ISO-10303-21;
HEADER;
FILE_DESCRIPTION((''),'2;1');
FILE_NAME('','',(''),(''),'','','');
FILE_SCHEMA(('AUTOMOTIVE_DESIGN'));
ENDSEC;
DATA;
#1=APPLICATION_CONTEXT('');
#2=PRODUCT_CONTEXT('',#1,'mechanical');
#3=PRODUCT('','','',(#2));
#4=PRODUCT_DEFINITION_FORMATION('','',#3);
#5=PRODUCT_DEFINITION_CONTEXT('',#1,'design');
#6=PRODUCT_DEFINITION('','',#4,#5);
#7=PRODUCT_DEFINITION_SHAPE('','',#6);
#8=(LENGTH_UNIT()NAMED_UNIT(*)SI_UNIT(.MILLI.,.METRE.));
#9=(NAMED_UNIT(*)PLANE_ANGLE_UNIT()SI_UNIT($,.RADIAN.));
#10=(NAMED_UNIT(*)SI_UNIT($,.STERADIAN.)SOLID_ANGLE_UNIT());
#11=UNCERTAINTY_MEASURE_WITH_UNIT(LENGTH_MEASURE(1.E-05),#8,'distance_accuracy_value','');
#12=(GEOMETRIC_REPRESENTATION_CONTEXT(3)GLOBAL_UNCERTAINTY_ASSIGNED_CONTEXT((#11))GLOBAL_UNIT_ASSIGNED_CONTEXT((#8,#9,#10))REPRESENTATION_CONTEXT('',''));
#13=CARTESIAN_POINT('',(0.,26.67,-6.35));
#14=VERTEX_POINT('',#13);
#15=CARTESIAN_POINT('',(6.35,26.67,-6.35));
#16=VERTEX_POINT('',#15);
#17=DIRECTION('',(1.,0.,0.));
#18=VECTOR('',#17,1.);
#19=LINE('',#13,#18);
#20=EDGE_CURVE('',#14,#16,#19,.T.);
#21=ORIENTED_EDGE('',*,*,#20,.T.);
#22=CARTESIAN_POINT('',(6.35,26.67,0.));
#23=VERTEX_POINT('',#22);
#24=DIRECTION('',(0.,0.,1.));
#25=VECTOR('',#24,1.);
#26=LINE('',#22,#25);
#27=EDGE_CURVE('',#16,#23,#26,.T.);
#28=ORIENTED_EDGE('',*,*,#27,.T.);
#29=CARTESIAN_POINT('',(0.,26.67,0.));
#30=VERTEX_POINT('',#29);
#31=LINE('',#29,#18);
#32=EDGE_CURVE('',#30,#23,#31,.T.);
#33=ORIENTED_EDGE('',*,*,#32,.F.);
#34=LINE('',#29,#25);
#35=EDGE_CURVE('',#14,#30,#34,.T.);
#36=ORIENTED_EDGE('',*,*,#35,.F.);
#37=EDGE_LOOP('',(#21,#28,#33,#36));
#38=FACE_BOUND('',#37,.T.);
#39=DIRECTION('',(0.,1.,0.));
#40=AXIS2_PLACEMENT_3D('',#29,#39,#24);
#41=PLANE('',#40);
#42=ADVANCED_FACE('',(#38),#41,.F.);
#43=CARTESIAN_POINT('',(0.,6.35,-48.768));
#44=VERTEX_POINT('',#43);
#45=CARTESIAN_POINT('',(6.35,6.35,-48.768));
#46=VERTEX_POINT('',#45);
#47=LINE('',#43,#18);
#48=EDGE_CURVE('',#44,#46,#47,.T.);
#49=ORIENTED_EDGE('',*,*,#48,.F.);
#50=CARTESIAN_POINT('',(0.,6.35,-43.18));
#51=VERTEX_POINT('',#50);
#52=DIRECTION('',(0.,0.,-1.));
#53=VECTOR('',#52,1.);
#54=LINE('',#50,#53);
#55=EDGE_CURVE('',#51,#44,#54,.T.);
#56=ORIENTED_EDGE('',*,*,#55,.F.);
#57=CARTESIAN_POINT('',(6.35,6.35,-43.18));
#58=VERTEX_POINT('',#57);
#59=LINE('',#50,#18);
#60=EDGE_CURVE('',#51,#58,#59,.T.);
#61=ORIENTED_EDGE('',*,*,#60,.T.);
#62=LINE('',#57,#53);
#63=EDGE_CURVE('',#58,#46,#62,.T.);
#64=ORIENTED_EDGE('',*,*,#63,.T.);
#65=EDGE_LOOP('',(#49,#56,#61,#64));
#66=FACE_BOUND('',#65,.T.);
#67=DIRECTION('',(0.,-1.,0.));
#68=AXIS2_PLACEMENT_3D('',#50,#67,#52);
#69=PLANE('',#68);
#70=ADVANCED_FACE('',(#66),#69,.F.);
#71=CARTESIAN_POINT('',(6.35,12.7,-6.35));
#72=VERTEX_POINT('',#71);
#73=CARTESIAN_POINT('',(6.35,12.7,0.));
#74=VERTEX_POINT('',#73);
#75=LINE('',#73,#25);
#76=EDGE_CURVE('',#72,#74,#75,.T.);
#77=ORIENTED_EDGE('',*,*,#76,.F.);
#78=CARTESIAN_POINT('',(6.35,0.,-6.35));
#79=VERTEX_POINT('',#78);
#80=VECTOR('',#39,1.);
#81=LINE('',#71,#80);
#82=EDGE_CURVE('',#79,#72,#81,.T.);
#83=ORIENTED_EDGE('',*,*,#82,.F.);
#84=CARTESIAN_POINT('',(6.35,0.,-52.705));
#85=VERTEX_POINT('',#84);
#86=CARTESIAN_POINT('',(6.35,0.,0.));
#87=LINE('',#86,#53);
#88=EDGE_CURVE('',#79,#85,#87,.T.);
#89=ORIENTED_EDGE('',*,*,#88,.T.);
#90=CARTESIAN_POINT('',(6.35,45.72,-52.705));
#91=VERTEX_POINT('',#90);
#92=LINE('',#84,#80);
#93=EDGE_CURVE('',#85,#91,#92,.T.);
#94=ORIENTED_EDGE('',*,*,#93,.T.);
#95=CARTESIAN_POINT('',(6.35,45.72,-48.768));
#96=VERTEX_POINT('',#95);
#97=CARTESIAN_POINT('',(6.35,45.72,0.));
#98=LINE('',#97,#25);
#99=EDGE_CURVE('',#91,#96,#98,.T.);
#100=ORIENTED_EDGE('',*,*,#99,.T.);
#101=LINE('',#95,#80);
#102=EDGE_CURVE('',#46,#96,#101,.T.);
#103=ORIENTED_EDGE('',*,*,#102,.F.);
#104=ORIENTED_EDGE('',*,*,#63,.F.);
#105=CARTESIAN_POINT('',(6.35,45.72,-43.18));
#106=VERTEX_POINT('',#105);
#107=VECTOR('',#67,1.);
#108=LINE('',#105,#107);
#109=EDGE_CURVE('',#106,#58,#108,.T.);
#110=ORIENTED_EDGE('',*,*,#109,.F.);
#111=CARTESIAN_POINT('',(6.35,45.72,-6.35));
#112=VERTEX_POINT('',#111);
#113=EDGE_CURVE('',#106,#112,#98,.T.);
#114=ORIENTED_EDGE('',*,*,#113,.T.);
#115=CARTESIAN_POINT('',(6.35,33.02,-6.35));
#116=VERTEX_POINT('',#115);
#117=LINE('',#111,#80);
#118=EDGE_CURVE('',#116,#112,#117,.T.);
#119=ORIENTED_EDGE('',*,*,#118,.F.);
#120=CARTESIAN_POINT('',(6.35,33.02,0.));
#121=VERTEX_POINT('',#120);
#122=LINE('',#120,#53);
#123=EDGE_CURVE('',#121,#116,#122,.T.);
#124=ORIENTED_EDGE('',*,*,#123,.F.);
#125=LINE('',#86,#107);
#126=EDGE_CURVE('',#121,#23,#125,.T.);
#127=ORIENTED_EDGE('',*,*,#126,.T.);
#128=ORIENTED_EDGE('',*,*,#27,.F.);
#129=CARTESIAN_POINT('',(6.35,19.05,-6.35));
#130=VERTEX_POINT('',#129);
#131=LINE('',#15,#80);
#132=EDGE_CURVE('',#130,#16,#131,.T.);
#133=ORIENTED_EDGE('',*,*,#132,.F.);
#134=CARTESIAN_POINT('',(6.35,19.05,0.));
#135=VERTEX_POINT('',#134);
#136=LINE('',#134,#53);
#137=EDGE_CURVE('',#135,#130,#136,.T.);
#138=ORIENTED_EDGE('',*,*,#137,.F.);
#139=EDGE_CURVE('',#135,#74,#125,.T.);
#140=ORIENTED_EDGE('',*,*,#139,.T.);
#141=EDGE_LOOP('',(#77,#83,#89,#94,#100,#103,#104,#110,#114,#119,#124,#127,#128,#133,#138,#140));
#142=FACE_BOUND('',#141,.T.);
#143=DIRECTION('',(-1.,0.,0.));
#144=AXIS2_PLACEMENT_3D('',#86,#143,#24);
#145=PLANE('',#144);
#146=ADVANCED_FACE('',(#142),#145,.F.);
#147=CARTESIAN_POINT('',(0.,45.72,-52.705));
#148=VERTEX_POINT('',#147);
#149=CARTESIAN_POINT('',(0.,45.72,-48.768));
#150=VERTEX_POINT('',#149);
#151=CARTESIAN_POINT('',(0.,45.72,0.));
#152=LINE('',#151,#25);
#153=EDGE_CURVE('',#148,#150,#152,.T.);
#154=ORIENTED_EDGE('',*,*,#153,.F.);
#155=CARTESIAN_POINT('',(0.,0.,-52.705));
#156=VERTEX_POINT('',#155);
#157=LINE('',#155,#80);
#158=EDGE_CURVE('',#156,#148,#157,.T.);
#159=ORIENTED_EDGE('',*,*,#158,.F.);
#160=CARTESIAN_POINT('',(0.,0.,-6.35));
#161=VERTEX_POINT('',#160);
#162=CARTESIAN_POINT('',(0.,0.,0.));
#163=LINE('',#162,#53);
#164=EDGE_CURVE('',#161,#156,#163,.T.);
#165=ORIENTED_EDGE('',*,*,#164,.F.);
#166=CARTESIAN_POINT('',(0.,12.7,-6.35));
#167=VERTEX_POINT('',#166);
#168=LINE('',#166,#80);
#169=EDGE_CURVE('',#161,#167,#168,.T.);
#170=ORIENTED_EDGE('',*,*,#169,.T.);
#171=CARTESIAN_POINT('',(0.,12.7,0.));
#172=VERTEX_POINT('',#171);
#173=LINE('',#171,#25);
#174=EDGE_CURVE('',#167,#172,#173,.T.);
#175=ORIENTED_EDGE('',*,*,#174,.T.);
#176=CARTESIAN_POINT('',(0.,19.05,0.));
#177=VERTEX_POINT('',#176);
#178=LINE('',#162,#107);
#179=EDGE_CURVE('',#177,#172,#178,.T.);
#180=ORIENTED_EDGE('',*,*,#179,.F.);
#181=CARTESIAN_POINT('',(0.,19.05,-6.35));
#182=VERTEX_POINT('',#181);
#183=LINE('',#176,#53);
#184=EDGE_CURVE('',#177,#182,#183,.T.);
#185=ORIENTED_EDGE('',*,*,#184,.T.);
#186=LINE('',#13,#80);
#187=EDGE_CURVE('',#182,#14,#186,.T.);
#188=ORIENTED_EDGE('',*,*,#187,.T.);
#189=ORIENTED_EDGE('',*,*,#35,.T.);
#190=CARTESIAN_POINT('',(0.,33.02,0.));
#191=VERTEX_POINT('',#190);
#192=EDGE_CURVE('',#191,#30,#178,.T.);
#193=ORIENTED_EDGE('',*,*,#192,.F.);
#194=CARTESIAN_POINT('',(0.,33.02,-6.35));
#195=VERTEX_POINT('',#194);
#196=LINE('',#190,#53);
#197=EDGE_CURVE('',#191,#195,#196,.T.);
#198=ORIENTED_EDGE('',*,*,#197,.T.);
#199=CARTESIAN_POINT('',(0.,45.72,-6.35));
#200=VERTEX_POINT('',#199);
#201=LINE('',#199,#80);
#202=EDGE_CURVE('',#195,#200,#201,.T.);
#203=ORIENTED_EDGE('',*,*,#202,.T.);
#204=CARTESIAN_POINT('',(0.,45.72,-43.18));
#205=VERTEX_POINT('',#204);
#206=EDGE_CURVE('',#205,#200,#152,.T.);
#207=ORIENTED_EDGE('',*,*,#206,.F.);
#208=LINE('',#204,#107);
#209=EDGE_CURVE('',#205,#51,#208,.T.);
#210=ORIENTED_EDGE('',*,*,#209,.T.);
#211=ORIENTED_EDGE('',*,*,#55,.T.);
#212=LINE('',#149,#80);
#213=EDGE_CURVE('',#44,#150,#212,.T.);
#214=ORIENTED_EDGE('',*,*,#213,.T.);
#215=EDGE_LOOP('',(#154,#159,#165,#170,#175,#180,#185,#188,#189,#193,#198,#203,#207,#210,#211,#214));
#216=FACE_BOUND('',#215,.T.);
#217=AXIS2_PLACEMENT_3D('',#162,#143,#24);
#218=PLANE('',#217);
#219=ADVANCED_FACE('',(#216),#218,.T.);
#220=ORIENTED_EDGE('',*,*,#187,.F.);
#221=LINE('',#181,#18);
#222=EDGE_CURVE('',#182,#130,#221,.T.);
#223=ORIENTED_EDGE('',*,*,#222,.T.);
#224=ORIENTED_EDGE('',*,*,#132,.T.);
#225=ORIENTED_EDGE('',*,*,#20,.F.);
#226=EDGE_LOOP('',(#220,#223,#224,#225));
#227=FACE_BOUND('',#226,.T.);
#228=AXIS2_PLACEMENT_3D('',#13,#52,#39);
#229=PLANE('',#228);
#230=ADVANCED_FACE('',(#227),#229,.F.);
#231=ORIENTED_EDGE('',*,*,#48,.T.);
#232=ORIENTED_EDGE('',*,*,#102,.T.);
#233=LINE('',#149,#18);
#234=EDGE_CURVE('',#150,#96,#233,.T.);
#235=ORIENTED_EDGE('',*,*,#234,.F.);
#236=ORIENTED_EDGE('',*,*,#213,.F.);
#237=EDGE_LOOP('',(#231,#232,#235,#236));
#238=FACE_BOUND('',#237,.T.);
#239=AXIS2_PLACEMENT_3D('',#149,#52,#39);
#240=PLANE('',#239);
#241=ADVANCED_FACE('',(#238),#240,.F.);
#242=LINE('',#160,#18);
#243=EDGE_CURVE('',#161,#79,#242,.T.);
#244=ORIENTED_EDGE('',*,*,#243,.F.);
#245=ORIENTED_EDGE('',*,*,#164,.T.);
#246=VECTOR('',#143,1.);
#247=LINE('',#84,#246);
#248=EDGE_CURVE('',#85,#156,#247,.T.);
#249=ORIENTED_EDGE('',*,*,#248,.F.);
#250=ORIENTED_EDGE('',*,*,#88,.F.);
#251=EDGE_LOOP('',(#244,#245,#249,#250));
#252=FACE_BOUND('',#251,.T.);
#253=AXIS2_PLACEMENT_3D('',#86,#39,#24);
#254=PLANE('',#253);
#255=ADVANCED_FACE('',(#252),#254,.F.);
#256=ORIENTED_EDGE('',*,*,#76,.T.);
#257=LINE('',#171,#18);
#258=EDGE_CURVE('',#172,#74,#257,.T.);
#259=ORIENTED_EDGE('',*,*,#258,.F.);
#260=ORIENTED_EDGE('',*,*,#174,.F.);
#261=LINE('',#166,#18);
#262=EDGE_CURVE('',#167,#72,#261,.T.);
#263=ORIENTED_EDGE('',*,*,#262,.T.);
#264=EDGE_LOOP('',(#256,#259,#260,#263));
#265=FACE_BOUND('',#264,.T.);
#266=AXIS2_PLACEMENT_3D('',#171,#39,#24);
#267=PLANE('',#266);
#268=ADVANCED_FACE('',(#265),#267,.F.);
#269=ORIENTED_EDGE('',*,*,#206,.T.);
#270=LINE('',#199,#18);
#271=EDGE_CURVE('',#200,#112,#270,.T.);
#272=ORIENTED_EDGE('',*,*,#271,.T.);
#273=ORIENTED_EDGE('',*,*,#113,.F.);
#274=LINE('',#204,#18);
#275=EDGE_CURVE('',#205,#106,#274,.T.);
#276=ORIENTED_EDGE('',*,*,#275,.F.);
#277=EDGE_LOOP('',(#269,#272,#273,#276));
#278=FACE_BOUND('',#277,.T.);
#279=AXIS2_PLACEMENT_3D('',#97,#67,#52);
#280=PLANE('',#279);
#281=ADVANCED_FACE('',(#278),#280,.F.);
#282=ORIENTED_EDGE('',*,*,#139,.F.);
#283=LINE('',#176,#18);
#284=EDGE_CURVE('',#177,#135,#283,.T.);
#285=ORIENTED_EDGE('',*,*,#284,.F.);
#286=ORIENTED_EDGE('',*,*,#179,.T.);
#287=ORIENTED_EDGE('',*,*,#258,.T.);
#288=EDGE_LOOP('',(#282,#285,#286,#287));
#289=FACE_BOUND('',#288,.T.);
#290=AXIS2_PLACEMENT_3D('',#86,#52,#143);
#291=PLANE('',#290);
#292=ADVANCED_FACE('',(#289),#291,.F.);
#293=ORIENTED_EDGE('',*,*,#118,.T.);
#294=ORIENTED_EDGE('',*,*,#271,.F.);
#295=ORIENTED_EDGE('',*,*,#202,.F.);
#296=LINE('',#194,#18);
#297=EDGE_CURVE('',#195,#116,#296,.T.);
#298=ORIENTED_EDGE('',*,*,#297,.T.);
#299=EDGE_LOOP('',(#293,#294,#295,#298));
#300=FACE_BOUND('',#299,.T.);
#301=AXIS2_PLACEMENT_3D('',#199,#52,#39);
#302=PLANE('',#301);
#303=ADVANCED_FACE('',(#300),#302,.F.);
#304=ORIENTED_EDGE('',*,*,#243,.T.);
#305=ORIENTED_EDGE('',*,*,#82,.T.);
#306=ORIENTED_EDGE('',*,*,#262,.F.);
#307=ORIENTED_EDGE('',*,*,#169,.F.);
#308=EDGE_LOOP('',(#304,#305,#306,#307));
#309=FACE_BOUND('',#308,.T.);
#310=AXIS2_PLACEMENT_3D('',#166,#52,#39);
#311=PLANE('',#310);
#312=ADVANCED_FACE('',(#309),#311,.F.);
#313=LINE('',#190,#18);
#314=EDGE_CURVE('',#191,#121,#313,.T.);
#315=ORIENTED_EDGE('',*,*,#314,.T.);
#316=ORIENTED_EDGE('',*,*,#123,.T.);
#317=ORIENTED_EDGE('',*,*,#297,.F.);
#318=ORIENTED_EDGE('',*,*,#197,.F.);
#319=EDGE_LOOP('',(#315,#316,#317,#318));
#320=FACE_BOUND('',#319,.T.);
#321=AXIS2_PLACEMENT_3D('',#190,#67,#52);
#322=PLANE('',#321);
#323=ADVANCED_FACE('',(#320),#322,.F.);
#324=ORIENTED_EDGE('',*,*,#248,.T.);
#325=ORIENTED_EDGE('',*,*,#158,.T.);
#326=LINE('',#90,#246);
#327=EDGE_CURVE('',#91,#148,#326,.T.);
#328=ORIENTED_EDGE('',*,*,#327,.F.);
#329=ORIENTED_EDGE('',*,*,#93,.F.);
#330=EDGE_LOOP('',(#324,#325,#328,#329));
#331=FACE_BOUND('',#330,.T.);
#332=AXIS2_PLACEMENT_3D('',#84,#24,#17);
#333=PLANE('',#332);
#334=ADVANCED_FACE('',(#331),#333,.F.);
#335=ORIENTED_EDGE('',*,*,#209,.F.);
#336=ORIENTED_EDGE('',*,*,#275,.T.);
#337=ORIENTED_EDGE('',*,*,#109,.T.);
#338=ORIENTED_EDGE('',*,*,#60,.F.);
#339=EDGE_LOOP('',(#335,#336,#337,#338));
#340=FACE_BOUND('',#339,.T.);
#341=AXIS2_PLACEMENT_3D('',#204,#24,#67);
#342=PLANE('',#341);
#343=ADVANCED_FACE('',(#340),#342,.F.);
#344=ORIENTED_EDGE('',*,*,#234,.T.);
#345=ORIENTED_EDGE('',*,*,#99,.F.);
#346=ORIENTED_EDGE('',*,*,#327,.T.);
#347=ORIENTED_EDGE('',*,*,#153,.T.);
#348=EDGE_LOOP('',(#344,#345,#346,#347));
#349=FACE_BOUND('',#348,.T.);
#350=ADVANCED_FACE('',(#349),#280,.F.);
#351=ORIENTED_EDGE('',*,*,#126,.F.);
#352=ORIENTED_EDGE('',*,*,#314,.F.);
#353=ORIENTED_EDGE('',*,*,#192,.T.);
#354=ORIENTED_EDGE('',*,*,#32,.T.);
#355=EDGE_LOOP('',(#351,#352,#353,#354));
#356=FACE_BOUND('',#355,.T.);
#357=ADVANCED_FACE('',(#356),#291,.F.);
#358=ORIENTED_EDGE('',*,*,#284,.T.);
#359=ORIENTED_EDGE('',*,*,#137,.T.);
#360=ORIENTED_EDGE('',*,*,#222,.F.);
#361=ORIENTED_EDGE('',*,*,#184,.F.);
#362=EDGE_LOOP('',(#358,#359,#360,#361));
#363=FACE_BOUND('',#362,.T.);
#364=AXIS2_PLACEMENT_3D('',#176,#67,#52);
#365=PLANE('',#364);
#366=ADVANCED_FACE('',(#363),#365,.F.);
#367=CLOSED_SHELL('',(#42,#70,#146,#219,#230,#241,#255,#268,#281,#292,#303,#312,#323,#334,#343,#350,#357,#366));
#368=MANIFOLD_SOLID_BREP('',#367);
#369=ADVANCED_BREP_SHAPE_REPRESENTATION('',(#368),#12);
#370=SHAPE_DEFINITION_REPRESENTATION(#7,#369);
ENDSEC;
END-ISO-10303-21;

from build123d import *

# Parameters (mm, degrees)
SKETCH1_W           = 52.705
SKETCH1_H           = 45.72
BOSS_EXTRUDE1_DEPTH = 6.35
SKETCH2_W           = 6.35
SKETCH2_H           = 12.7
SKETCH2_H_2         = 7.62
SKETCH2_W_2         = 5.588
SKETCH2_H_3         = 39.37
CUT_EXTRUDE1_DEPTH  = 7.35


with BuildPart() as part:
    # Sketch1 → Boss-Extrude1 (new body)
    with BuildSketch(Plane(origin=(0, 0, 0), x_dir=(0, 0, -1), z_dir=(1, 0, 0))):
        with Locations((26.3525, 22.86)):
            Rectangle(SKETCH1_W, SKETCH1_H)
    extrude(amount=BOSS_EXTRUDE1_DEPTH)

    # Sketch2 → Cut-Extrude1 (cut, through all)
    with BuildSketch(Plane(origin=(6.35, 0, 0), x_dir=(0, 0, -1), z_dir=(1, 0, 0))):
        with Locations((3.175, 39.37)):
            Rectangle(SKETCH2_W, SKETCH2_H)
        with Locations((3.175, 6.35)):
            Rectangle(SKETCH2_W, SKETCH2_H)
        with Locations((3.175, 22.86)):
            Rectangle(SKETCH2_W, SKETCH2_H_2)
        with Locations((45.974, 26.035)):
            Rectangle(SKETCH2_W_2, SKETCH2_H_3)
    extrude(amount=-CUT_EXTRUDE1_DEPTH, mode=Mode.SUBTRACT)


solid = part.part
